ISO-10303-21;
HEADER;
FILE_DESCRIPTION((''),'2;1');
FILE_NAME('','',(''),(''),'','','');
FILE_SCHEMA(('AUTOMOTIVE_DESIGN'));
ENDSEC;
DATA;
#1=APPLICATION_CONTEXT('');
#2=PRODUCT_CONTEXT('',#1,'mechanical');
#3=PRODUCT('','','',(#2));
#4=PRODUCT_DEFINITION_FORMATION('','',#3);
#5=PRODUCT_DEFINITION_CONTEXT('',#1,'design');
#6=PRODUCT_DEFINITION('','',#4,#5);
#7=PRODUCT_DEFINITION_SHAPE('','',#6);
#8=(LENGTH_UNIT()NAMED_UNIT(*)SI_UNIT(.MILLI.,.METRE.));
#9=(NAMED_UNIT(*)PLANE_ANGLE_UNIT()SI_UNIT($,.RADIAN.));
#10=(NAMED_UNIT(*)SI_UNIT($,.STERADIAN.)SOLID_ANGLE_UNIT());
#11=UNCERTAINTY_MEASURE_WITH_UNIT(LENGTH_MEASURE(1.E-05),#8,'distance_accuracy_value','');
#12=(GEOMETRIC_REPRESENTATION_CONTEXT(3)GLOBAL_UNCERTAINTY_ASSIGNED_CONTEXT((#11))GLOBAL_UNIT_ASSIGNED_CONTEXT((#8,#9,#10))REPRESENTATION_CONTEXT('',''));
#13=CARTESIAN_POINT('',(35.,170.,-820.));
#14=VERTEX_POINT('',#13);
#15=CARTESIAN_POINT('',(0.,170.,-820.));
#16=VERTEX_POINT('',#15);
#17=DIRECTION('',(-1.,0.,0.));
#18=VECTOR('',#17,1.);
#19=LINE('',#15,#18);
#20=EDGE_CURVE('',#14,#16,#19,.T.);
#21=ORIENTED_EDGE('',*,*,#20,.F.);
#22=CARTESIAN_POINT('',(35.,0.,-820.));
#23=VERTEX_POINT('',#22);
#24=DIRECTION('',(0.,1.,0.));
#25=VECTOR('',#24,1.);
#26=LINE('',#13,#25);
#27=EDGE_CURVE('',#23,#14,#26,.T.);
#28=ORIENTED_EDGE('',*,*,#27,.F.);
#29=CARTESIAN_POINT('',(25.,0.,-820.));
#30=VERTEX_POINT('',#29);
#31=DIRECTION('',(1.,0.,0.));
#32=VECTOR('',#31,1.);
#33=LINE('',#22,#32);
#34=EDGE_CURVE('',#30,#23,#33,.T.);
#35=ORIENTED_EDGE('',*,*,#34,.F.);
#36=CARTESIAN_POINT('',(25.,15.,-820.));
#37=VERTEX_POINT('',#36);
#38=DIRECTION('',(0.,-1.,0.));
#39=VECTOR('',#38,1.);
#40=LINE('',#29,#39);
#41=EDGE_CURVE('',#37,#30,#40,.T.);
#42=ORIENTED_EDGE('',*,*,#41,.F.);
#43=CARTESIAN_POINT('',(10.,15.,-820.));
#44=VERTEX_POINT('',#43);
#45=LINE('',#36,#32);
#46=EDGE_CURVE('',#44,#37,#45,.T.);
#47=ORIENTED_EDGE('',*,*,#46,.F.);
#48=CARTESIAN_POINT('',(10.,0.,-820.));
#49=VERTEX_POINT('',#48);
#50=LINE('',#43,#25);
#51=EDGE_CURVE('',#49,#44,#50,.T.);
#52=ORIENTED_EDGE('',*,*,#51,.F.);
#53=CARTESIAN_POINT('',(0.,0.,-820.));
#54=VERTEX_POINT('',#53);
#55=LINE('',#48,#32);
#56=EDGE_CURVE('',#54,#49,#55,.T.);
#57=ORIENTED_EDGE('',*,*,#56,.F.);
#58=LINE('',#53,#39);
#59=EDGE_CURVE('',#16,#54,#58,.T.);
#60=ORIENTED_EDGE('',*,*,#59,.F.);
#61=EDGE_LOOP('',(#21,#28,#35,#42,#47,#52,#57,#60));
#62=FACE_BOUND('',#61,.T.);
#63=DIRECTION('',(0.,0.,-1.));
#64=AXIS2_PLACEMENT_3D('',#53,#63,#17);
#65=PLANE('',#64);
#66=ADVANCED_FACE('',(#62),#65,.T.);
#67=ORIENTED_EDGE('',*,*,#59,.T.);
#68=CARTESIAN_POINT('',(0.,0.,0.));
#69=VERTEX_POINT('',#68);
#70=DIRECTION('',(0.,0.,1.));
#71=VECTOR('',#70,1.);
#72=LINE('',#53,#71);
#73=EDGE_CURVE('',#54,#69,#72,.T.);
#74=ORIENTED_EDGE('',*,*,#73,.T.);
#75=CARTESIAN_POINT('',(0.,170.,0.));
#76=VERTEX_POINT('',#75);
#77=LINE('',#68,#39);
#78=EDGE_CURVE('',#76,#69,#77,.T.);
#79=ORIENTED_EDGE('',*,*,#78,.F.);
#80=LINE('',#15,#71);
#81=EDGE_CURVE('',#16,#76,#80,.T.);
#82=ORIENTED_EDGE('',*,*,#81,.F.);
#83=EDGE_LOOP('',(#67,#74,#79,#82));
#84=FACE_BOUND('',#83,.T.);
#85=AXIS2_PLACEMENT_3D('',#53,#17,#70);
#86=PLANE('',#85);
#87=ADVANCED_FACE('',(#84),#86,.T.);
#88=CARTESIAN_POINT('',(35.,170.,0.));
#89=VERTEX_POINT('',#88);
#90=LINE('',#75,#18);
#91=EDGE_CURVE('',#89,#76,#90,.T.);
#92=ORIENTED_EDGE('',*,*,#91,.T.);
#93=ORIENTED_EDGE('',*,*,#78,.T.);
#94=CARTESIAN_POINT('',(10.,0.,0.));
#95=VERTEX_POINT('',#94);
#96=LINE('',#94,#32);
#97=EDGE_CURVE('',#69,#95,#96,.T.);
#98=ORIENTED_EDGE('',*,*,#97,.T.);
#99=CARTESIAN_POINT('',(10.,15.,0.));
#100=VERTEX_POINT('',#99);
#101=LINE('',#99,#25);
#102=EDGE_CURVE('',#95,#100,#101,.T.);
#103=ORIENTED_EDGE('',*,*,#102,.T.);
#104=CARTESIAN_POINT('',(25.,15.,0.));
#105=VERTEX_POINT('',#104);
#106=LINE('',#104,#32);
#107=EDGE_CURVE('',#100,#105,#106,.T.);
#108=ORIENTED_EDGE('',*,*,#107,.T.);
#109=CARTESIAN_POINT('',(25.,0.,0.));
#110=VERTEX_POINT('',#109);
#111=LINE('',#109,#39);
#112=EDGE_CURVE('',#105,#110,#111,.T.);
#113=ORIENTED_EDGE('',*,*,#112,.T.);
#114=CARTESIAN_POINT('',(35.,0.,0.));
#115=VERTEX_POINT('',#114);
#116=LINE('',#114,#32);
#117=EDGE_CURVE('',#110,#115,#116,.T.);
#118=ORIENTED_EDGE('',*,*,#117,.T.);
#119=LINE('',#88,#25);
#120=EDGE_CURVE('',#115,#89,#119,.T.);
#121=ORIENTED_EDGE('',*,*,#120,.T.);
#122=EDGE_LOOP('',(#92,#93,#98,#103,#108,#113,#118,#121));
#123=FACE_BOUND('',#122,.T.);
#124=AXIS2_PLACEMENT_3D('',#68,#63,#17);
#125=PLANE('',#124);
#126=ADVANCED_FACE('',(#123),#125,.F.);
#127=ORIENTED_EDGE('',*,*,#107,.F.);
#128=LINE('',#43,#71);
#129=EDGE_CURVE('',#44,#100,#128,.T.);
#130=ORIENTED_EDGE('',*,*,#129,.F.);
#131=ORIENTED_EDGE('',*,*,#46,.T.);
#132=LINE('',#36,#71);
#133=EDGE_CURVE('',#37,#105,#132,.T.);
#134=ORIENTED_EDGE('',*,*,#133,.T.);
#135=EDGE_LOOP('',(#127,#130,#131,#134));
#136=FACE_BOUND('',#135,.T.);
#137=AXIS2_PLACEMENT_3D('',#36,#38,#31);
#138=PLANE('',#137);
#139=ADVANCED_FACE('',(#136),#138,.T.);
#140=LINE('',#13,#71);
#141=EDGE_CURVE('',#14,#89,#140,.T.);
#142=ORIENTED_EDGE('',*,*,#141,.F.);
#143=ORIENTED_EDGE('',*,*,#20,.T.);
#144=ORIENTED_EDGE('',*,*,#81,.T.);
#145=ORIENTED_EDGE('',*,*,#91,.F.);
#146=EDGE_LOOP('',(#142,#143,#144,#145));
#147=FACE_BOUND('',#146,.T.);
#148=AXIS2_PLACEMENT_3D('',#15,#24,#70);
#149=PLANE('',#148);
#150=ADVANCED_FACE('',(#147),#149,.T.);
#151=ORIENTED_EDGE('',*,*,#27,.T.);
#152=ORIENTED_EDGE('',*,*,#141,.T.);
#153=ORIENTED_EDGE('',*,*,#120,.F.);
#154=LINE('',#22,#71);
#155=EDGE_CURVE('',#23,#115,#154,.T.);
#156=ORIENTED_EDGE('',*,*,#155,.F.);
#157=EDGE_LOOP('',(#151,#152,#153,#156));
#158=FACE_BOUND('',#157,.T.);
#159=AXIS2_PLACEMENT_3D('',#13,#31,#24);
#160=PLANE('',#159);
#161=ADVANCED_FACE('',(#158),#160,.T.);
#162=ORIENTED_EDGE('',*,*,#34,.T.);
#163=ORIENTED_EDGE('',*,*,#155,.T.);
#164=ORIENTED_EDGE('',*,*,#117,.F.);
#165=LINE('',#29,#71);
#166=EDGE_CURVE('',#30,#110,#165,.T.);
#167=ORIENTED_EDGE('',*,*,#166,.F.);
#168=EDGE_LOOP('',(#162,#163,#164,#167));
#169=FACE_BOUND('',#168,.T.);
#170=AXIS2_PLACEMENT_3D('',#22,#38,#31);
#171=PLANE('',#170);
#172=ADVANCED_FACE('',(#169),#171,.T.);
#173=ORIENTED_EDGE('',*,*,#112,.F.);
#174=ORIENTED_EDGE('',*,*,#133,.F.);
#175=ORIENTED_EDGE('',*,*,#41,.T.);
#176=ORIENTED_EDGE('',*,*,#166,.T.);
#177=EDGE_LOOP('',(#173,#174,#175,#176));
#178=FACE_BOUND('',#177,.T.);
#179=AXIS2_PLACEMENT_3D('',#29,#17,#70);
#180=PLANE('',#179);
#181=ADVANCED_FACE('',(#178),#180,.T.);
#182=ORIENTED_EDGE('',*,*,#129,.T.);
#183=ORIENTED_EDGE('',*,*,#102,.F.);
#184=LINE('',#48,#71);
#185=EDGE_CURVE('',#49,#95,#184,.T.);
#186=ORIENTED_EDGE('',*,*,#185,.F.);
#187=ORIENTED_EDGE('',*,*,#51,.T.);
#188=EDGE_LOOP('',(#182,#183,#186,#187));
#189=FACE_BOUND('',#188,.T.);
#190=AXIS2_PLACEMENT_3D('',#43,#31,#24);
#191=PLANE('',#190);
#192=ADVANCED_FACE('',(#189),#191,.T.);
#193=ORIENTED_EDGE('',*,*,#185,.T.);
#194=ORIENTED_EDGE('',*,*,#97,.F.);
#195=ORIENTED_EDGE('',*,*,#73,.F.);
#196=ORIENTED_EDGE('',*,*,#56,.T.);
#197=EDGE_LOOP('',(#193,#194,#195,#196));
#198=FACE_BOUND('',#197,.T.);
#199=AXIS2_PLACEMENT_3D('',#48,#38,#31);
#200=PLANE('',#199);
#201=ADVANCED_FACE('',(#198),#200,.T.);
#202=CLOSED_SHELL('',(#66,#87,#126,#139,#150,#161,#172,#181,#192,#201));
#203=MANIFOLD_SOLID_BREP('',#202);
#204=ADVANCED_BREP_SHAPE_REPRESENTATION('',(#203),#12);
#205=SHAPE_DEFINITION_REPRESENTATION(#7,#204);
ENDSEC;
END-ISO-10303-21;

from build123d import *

# Parameters (mm, degrees)
EXTRUDE_1_DEPTH = 820


with BuildPart() as part:
    # Эскиз1 → Бобышка-Вытянуть1 (new body)
    with BuildSketch(Plane.XY):
        Polygon((0, 0), (0, 170), (35, 170), (35, 0), (25, 0), (25, 15), (10, 15), (10, 0), align=None)
    extrude(amount=-EXTRUDE_1_DEPTH)


solid = part.part
